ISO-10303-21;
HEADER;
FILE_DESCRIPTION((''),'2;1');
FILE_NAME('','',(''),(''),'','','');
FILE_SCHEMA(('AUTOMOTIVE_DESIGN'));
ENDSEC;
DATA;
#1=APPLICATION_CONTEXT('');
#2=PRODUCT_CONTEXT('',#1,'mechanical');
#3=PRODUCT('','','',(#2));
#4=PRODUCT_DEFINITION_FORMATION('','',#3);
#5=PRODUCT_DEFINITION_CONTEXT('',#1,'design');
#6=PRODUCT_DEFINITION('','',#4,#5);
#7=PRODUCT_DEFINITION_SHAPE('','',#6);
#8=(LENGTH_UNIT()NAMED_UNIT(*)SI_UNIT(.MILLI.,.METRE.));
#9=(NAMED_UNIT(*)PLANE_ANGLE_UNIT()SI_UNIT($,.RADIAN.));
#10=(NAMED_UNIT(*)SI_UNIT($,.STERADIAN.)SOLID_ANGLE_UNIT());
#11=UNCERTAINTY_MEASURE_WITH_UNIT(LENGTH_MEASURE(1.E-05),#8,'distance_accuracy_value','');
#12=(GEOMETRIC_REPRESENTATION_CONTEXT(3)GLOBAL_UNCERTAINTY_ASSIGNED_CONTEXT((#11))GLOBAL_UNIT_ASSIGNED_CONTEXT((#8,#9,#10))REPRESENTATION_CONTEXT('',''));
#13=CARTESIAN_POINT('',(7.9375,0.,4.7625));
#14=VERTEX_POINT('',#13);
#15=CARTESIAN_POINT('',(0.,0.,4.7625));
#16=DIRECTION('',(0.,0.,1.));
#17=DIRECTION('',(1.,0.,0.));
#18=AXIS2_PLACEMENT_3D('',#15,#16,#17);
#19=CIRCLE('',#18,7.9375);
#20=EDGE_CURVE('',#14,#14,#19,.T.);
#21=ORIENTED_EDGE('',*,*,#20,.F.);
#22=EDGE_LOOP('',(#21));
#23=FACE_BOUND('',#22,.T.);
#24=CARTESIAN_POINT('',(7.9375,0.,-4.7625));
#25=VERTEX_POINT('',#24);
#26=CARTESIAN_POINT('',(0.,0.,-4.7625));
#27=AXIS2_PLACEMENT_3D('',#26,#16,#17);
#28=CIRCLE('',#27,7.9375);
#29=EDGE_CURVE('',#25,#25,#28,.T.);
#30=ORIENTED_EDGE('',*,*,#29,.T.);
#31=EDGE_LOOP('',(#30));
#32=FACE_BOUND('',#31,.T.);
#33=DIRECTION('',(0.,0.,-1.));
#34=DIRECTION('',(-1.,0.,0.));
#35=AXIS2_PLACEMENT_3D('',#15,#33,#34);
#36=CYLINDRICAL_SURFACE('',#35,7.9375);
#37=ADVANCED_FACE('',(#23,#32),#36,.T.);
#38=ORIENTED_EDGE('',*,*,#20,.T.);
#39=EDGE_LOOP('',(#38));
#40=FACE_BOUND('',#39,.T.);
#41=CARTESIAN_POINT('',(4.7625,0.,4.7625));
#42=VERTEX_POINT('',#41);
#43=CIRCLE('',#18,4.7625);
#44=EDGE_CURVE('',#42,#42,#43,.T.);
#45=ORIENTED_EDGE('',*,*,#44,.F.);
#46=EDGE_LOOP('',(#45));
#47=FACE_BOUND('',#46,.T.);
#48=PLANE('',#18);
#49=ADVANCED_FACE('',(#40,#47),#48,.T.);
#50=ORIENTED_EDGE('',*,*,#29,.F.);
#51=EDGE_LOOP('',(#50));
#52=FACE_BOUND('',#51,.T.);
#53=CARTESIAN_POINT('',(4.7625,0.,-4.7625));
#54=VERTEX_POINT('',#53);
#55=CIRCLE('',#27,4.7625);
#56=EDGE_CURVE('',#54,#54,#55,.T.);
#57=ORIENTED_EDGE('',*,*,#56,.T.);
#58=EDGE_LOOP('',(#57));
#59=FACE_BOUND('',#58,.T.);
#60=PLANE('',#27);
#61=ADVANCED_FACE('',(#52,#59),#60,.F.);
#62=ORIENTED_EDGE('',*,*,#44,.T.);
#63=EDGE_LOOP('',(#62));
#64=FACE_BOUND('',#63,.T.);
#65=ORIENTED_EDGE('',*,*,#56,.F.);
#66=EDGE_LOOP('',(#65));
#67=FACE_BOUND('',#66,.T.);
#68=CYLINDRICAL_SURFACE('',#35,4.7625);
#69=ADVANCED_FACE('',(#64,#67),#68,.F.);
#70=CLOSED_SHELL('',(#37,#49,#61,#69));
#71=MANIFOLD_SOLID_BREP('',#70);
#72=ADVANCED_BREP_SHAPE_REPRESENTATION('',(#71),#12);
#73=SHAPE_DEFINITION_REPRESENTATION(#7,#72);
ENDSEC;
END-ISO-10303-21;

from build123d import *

# Parameters (mm, degrees)
SKETCH3_R           = 7.9375
SKETCH3_R_2         = 4.7625
BOSS_EXTRUDE1_DEPTH = 4.7625


with BuildPart() as part:
    # Sketch3 → Boss-Extrude1 (new body, symmetric)
    with BuildSketch(Plane.XY):
        Circle(SKETCH3_R)
        Circle(SKETCH3_R_2, mode=Mode.SUBTRACT)
    extrude(amount=BOSS_EXTRUDE1_DEPTH, both=True)


solid = part.part
